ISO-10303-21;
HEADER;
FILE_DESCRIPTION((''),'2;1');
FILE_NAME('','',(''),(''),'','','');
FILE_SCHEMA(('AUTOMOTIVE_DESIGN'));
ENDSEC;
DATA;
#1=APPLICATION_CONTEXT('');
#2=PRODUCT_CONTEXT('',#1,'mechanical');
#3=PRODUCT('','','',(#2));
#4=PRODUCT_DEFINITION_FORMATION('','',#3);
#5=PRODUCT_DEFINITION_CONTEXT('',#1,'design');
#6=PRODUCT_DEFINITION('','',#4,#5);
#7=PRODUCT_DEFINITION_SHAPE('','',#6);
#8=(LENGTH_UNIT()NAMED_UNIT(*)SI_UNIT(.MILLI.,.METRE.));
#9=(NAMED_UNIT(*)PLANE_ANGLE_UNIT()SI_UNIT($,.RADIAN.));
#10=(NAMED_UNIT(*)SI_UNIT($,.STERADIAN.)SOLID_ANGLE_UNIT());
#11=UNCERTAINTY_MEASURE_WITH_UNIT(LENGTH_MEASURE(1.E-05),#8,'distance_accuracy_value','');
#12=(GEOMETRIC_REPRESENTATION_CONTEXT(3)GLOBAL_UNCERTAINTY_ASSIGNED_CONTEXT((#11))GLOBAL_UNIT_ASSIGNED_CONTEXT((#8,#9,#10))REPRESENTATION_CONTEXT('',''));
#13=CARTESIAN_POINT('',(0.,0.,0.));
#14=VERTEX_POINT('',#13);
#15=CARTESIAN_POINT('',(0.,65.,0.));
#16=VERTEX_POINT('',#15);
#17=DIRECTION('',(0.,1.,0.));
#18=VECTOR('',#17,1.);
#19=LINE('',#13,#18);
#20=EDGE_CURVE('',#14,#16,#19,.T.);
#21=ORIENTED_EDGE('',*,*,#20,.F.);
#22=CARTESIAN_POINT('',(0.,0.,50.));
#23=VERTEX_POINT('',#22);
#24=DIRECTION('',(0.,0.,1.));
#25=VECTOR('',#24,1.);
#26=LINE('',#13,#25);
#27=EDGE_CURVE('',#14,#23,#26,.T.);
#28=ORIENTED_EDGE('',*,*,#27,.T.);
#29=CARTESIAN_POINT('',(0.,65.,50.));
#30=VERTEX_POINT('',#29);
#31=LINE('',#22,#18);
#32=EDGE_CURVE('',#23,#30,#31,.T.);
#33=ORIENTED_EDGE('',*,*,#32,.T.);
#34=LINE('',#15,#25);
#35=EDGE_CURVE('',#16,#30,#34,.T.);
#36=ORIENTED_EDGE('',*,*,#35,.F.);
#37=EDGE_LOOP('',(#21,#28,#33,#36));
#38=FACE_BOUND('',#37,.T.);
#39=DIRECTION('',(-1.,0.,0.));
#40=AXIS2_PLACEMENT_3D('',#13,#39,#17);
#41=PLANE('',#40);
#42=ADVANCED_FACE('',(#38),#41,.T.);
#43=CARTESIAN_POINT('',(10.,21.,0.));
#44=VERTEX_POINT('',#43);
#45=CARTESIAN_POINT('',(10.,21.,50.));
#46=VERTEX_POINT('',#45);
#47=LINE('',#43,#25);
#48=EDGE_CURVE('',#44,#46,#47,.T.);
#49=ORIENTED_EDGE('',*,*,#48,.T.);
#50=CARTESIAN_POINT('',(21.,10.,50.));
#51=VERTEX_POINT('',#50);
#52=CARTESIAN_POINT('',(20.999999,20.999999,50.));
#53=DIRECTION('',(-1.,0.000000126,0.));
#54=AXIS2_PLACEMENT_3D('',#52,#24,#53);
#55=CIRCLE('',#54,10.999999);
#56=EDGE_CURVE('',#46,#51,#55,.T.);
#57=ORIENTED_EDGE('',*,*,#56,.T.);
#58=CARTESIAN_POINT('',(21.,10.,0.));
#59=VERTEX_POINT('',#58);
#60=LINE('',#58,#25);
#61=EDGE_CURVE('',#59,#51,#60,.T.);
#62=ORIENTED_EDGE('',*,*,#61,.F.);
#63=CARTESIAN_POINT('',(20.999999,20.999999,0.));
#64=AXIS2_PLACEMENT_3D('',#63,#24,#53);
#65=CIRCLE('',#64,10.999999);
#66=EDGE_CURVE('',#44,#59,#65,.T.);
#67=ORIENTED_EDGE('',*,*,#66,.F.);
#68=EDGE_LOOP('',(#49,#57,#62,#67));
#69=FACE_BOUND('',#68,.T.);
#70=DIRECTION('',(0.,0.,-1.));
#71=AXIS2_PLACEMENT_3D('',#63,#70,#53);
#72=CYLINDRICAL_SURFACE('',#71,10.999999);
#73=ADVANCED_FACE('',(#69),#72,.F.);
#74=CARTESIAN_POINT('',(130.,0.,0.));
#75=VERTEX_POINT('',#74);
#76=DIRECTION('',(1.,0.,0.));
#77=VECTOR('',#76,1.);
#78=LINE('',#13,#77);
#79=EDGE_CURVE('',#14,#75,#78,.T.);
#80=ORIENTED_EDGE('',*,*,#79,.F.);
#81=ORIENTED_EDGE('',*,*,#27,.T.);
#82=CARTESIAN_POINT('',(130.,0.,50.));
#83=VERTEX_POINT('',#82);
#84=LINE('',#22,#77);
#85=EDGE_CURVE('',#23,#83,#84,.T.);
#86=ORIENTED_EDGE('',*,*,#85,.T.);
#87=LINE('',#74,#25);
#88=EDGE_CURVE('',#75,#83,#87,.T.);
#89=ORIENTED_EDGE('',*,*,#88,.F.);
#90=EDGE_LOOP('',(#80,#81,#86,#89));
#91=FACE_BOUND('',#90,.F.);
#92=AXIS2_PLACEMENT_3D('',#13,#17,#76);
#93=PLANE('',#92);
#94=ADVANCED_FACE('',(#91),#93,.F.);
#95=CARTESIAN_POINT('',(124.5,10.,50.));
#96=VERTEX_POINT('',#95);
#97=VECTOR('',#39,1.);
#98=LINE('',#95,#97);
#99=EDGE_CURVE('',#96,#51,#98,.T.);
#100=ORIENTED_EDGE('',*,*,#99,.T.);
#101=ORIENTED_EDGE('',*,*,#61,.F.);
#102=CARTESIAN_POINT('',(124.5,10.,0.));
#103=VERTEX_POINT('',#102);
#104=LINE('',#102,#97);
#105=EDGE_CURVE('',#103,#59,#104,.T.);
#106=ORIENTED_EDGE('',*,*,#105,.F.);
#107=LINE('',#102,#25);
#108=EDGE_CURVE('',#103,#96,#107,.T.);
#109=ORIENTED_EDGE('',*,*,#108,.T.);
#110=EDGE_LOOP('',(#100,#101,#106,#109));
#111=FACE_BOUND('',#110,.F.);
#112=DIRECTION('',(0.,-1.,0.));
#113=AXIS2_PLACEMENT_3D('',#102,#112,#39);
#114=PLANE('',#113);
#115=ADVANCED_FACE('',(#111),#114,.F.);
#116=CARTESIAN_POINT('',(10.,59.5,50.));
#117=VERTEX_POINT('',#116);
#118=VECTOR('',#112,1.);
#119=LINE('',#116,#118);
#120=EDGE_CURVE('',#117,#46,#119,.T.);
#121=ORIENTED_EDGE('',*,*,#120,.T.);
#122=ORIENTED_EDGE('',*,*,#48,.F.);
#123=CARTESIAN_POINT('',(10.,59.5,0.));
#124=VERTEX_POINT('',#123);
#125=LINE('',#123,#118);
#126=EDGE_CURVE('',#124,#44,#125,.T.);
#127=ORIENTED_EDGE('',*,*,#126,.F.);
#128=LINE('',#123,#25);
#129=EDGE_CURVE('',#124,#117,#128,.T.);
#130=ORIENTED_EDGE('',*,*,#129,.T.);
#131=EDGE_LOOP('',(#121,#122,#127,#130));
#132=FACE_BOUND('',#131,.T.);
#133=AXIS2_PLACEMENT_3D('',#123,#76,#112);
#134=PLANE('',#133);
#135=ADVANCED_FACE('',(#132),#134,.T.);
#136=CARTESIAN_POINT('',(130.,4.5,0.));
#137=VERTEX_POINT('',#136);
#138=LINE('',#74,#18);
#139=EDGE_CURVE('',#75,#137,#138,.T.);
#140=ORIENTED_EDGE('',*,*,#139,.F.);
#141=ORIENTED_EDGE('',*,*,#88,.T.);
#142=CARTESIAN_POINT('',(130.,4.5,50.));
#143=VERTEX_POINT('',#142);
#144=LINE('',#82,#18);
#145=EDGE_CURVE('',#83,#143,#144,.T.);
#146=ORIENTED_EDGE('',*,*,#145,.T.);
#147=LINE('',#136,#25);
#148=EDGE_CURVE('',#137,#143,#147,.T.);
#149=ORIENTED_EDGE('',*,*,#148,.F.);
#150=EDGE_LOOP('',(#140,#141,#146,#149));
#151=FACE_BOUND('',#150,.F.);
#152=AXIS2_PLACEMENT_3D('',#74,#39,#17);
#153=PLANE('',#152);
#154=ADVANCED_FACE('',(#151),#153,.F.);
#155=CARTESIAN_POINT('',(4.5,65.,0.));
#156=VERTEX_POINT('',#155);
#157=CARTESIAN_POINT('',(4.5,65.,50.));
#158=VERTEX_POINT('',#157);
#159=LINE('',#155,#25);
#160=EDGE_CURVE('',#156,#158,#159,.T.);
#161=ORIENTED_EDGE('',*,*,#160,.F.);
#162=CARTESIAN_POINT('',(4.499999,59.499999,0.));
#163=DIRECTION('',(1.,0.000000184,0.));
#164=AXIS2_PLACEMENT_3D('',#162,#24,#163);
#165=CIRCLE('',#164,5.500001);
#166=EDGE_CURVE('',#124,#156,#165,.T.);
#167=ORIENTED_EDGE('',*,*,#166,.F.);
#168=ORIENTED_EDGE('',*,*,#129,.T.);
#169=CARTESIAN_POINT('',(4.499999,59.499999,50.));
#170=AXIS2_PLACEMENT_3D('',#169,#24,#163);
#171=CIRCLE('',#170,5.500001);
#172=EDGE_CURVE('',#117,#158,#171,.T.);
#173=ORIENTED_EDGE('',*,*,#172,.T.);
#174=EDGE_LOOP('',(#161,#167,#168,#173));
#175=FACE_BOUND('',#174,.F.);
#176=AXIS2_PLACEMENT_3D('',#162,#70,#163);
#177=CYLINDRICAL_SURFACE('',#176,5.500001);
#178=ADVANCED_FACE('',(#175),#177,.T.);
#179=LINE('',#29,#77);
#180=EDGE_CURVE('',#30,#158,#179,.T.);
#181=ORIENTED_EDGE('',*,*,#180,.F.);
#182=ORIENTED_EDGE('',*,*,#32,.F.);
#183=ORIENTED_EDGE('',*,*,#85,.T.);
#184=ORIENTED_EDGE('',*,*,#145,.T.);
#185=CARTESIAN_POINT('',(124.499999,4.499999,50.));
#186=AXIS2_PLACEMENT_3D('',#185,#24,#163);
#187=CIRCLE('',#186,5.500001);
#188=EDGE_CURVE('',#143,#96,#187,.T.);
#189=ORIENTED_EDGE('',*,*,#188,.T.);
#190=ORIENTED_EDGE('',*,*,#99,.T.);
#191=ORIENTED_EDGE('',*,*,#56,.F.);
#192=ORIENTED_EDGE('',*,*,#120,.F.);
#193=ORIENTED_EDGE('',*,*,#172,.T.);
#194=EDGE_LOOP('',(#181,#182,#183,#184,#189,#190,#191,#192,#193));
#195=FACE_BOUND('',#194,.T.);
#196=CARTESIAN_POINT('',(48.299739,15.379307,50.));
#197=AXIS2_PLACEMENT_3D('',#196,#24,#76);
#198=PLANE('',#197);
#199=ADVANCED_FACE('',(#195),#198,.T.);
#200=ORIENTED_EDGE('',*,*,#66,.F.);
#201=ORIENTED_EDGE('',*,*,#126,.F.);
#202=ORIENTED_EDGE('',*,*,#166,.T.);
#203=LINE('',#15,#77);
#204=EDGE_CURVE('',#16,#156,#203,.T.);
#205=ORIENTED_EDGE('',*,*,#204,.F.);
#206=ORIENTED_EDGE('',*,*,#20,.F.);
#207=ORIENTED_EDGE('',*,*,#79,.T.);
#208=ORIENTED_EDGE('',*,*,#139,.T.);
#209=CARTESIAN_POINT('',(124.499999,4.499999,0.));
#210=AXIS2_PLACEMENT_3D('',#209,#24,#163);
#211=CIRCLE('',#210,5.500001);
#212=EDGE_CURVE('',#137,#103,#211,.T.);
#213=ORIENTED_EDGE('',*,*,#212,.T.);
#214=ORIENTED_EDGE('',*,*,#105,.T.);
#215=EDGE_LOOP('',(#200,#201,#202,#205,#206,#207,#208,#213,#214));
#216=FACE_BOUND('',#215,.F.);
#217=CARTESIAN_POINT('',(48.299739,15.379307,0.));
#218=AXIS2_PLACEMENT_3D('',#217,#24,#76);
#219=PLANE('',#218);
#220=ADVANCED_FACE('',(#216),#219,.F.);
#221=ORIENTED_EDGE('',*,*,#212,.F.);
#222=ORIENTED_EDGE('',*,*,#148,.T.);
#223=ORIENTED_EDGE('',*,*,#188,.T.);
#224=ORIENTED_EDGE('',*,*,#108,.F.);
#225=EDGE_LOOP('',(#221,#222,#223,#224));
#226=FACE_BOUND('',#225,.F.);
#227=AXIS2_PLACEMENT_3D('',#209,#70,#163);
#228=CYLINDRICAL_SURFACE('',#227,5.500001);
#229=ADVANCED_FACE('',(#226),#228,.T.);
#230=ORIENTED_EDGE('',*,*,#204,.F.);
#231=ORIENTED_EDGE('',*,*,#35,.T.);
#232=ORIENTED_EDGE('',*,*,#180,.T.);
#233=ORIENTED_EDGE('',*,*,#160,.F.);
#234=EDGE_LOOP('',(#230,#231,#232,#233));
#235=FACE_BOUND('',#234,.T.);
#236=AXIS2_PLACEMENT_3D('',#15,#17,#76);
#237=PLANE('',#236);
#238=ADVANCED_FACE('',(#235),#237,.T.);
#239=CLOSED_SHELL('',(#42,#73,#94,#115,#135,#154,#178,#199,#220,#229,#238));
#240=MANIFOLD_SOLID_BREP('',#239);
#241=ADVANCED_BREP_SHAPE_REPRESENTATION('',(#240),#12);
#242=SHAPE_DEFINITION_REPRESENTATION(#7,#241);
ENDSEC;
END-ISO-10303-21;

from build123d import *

# Parameters (mm, degrees)
EXTRUDE_DEPTH = 50


with BuildPart() as part:
    # Sketch → Extrude (new body)
    with BuildSketch(Plane.XY):
        with BuildLine():
            Line((0, 0), (130, 0))
            Line((130, 0), (130, 4.5))
            ThreePointArc((130, 4.5), (128.389087, 8.389087), (124.5, 10))
            Line((124.5, 10), (21, 10))
            ThreePointArc((10, 21), (13.221825, 13.221825), (21, 10))
            Line((10, 59.5), (10, 21))
            ThreePointArc((10, 59.5), (8.389087, 63.389087), (4.5, 65))
            Line((0, 65), (4.5, 65))
            Line((0, 0), (0, 65))
        make_face()
    extrude(amount=EXTRUDE_DEPTH)


solid = part.part
